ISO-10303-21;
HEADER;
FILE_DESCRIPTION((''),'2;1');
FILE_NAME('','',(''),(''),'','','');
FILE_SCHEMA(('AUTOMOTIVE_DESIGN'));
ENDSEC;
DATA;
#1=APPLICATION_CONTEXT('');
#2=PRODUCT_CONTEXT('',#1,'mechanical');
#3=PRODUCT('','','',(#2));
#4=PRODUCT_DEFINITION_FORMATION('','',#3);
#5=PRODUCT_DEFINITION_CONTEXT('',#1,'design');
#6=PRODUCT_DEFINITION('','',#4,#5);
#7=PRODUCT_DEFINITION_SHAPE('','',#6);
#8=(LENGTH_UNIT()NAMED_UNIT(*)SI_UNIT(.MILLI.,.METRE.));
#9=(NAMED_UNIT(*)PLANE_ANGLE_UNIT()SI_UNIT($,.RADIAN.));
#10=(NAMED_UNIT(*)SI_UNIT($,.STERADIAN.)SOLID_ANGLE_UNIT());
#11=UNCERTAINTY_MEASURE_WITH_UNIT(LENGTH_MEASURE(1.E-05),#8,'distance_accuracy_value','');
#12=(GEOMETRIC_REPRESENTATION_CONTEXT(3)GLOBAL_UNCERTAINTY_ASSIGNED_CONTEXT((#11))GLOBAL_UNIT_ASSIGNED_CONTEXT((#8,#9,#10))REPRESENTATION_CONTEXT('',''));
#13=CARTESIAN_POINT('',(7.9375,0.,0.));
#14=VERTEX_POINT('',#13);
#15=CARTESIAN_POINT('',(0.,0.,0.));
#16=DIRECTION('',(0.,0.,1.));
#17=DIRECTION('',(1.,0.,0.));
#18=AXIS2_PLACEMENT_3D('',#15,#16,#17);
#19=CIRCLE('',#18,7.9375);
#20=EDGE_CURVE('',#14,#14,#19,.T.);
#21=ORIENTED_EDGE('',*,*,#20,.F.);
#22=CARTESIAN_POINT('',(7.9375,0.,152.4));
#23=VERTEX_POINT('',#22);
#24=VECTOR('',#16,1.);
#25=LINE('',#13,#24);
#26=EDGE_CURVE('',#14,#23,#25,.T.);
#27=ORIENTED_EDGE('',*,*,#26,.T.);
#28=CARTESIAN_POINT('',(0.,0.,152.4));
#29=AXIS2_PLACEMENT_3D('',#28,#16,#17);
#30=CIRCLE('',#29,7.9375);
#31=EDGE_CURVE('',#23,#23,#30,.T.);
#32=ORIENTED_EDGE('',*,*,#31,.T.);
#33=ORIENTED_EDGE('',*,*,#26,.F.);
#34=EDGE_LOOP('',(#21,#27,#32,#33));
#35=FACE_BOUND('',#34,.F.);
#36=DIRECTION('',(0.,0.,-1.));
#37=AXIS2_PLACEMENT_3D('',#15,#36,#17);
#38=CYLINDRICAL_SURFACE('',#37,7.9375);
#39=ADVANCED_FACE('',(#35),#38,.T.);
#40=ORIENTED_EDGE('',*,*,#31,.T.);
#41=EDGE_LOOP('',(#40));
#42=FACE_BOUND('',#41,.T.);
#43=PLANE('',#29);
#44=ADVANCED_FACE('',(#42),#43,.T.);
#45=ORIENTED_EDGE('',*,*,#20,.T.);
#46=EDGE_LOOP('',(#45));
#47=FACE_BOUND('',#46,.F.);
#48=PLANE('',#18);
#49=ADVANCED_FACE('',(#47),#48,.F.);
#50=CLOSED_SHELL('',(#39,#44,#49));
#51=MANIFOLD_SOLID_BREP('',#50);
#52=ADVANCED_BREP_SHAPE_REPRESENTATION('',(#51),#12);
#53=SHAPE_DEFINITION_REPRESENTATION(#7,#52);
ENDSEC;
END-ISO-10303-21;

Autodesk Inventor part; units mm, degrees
ref_plane "YZ Plane" through (0, 0, 0) normal (1, 0, 0) x (0, 1, 0)
ref_plane "XZ Plane" through (0, 0, 0) normal (0, 1, 0) x (-1, 0, 0)
ref_plane "XY Plane" through (0, 0, 0) normal (0, 0, 1) x (1, 0, 0)
sketch "Sketch1" plane through (0, 0, 0) normal (0, 0, 1) x (1, 0, 0)
  circle A0 centre (0, 0) radius 7.9375
  dimension "d0" = 15.875
extrude "Extrusion1" add sketch "Sketch1" along normal blind 152.4
properties part number "axle for saw blade"
